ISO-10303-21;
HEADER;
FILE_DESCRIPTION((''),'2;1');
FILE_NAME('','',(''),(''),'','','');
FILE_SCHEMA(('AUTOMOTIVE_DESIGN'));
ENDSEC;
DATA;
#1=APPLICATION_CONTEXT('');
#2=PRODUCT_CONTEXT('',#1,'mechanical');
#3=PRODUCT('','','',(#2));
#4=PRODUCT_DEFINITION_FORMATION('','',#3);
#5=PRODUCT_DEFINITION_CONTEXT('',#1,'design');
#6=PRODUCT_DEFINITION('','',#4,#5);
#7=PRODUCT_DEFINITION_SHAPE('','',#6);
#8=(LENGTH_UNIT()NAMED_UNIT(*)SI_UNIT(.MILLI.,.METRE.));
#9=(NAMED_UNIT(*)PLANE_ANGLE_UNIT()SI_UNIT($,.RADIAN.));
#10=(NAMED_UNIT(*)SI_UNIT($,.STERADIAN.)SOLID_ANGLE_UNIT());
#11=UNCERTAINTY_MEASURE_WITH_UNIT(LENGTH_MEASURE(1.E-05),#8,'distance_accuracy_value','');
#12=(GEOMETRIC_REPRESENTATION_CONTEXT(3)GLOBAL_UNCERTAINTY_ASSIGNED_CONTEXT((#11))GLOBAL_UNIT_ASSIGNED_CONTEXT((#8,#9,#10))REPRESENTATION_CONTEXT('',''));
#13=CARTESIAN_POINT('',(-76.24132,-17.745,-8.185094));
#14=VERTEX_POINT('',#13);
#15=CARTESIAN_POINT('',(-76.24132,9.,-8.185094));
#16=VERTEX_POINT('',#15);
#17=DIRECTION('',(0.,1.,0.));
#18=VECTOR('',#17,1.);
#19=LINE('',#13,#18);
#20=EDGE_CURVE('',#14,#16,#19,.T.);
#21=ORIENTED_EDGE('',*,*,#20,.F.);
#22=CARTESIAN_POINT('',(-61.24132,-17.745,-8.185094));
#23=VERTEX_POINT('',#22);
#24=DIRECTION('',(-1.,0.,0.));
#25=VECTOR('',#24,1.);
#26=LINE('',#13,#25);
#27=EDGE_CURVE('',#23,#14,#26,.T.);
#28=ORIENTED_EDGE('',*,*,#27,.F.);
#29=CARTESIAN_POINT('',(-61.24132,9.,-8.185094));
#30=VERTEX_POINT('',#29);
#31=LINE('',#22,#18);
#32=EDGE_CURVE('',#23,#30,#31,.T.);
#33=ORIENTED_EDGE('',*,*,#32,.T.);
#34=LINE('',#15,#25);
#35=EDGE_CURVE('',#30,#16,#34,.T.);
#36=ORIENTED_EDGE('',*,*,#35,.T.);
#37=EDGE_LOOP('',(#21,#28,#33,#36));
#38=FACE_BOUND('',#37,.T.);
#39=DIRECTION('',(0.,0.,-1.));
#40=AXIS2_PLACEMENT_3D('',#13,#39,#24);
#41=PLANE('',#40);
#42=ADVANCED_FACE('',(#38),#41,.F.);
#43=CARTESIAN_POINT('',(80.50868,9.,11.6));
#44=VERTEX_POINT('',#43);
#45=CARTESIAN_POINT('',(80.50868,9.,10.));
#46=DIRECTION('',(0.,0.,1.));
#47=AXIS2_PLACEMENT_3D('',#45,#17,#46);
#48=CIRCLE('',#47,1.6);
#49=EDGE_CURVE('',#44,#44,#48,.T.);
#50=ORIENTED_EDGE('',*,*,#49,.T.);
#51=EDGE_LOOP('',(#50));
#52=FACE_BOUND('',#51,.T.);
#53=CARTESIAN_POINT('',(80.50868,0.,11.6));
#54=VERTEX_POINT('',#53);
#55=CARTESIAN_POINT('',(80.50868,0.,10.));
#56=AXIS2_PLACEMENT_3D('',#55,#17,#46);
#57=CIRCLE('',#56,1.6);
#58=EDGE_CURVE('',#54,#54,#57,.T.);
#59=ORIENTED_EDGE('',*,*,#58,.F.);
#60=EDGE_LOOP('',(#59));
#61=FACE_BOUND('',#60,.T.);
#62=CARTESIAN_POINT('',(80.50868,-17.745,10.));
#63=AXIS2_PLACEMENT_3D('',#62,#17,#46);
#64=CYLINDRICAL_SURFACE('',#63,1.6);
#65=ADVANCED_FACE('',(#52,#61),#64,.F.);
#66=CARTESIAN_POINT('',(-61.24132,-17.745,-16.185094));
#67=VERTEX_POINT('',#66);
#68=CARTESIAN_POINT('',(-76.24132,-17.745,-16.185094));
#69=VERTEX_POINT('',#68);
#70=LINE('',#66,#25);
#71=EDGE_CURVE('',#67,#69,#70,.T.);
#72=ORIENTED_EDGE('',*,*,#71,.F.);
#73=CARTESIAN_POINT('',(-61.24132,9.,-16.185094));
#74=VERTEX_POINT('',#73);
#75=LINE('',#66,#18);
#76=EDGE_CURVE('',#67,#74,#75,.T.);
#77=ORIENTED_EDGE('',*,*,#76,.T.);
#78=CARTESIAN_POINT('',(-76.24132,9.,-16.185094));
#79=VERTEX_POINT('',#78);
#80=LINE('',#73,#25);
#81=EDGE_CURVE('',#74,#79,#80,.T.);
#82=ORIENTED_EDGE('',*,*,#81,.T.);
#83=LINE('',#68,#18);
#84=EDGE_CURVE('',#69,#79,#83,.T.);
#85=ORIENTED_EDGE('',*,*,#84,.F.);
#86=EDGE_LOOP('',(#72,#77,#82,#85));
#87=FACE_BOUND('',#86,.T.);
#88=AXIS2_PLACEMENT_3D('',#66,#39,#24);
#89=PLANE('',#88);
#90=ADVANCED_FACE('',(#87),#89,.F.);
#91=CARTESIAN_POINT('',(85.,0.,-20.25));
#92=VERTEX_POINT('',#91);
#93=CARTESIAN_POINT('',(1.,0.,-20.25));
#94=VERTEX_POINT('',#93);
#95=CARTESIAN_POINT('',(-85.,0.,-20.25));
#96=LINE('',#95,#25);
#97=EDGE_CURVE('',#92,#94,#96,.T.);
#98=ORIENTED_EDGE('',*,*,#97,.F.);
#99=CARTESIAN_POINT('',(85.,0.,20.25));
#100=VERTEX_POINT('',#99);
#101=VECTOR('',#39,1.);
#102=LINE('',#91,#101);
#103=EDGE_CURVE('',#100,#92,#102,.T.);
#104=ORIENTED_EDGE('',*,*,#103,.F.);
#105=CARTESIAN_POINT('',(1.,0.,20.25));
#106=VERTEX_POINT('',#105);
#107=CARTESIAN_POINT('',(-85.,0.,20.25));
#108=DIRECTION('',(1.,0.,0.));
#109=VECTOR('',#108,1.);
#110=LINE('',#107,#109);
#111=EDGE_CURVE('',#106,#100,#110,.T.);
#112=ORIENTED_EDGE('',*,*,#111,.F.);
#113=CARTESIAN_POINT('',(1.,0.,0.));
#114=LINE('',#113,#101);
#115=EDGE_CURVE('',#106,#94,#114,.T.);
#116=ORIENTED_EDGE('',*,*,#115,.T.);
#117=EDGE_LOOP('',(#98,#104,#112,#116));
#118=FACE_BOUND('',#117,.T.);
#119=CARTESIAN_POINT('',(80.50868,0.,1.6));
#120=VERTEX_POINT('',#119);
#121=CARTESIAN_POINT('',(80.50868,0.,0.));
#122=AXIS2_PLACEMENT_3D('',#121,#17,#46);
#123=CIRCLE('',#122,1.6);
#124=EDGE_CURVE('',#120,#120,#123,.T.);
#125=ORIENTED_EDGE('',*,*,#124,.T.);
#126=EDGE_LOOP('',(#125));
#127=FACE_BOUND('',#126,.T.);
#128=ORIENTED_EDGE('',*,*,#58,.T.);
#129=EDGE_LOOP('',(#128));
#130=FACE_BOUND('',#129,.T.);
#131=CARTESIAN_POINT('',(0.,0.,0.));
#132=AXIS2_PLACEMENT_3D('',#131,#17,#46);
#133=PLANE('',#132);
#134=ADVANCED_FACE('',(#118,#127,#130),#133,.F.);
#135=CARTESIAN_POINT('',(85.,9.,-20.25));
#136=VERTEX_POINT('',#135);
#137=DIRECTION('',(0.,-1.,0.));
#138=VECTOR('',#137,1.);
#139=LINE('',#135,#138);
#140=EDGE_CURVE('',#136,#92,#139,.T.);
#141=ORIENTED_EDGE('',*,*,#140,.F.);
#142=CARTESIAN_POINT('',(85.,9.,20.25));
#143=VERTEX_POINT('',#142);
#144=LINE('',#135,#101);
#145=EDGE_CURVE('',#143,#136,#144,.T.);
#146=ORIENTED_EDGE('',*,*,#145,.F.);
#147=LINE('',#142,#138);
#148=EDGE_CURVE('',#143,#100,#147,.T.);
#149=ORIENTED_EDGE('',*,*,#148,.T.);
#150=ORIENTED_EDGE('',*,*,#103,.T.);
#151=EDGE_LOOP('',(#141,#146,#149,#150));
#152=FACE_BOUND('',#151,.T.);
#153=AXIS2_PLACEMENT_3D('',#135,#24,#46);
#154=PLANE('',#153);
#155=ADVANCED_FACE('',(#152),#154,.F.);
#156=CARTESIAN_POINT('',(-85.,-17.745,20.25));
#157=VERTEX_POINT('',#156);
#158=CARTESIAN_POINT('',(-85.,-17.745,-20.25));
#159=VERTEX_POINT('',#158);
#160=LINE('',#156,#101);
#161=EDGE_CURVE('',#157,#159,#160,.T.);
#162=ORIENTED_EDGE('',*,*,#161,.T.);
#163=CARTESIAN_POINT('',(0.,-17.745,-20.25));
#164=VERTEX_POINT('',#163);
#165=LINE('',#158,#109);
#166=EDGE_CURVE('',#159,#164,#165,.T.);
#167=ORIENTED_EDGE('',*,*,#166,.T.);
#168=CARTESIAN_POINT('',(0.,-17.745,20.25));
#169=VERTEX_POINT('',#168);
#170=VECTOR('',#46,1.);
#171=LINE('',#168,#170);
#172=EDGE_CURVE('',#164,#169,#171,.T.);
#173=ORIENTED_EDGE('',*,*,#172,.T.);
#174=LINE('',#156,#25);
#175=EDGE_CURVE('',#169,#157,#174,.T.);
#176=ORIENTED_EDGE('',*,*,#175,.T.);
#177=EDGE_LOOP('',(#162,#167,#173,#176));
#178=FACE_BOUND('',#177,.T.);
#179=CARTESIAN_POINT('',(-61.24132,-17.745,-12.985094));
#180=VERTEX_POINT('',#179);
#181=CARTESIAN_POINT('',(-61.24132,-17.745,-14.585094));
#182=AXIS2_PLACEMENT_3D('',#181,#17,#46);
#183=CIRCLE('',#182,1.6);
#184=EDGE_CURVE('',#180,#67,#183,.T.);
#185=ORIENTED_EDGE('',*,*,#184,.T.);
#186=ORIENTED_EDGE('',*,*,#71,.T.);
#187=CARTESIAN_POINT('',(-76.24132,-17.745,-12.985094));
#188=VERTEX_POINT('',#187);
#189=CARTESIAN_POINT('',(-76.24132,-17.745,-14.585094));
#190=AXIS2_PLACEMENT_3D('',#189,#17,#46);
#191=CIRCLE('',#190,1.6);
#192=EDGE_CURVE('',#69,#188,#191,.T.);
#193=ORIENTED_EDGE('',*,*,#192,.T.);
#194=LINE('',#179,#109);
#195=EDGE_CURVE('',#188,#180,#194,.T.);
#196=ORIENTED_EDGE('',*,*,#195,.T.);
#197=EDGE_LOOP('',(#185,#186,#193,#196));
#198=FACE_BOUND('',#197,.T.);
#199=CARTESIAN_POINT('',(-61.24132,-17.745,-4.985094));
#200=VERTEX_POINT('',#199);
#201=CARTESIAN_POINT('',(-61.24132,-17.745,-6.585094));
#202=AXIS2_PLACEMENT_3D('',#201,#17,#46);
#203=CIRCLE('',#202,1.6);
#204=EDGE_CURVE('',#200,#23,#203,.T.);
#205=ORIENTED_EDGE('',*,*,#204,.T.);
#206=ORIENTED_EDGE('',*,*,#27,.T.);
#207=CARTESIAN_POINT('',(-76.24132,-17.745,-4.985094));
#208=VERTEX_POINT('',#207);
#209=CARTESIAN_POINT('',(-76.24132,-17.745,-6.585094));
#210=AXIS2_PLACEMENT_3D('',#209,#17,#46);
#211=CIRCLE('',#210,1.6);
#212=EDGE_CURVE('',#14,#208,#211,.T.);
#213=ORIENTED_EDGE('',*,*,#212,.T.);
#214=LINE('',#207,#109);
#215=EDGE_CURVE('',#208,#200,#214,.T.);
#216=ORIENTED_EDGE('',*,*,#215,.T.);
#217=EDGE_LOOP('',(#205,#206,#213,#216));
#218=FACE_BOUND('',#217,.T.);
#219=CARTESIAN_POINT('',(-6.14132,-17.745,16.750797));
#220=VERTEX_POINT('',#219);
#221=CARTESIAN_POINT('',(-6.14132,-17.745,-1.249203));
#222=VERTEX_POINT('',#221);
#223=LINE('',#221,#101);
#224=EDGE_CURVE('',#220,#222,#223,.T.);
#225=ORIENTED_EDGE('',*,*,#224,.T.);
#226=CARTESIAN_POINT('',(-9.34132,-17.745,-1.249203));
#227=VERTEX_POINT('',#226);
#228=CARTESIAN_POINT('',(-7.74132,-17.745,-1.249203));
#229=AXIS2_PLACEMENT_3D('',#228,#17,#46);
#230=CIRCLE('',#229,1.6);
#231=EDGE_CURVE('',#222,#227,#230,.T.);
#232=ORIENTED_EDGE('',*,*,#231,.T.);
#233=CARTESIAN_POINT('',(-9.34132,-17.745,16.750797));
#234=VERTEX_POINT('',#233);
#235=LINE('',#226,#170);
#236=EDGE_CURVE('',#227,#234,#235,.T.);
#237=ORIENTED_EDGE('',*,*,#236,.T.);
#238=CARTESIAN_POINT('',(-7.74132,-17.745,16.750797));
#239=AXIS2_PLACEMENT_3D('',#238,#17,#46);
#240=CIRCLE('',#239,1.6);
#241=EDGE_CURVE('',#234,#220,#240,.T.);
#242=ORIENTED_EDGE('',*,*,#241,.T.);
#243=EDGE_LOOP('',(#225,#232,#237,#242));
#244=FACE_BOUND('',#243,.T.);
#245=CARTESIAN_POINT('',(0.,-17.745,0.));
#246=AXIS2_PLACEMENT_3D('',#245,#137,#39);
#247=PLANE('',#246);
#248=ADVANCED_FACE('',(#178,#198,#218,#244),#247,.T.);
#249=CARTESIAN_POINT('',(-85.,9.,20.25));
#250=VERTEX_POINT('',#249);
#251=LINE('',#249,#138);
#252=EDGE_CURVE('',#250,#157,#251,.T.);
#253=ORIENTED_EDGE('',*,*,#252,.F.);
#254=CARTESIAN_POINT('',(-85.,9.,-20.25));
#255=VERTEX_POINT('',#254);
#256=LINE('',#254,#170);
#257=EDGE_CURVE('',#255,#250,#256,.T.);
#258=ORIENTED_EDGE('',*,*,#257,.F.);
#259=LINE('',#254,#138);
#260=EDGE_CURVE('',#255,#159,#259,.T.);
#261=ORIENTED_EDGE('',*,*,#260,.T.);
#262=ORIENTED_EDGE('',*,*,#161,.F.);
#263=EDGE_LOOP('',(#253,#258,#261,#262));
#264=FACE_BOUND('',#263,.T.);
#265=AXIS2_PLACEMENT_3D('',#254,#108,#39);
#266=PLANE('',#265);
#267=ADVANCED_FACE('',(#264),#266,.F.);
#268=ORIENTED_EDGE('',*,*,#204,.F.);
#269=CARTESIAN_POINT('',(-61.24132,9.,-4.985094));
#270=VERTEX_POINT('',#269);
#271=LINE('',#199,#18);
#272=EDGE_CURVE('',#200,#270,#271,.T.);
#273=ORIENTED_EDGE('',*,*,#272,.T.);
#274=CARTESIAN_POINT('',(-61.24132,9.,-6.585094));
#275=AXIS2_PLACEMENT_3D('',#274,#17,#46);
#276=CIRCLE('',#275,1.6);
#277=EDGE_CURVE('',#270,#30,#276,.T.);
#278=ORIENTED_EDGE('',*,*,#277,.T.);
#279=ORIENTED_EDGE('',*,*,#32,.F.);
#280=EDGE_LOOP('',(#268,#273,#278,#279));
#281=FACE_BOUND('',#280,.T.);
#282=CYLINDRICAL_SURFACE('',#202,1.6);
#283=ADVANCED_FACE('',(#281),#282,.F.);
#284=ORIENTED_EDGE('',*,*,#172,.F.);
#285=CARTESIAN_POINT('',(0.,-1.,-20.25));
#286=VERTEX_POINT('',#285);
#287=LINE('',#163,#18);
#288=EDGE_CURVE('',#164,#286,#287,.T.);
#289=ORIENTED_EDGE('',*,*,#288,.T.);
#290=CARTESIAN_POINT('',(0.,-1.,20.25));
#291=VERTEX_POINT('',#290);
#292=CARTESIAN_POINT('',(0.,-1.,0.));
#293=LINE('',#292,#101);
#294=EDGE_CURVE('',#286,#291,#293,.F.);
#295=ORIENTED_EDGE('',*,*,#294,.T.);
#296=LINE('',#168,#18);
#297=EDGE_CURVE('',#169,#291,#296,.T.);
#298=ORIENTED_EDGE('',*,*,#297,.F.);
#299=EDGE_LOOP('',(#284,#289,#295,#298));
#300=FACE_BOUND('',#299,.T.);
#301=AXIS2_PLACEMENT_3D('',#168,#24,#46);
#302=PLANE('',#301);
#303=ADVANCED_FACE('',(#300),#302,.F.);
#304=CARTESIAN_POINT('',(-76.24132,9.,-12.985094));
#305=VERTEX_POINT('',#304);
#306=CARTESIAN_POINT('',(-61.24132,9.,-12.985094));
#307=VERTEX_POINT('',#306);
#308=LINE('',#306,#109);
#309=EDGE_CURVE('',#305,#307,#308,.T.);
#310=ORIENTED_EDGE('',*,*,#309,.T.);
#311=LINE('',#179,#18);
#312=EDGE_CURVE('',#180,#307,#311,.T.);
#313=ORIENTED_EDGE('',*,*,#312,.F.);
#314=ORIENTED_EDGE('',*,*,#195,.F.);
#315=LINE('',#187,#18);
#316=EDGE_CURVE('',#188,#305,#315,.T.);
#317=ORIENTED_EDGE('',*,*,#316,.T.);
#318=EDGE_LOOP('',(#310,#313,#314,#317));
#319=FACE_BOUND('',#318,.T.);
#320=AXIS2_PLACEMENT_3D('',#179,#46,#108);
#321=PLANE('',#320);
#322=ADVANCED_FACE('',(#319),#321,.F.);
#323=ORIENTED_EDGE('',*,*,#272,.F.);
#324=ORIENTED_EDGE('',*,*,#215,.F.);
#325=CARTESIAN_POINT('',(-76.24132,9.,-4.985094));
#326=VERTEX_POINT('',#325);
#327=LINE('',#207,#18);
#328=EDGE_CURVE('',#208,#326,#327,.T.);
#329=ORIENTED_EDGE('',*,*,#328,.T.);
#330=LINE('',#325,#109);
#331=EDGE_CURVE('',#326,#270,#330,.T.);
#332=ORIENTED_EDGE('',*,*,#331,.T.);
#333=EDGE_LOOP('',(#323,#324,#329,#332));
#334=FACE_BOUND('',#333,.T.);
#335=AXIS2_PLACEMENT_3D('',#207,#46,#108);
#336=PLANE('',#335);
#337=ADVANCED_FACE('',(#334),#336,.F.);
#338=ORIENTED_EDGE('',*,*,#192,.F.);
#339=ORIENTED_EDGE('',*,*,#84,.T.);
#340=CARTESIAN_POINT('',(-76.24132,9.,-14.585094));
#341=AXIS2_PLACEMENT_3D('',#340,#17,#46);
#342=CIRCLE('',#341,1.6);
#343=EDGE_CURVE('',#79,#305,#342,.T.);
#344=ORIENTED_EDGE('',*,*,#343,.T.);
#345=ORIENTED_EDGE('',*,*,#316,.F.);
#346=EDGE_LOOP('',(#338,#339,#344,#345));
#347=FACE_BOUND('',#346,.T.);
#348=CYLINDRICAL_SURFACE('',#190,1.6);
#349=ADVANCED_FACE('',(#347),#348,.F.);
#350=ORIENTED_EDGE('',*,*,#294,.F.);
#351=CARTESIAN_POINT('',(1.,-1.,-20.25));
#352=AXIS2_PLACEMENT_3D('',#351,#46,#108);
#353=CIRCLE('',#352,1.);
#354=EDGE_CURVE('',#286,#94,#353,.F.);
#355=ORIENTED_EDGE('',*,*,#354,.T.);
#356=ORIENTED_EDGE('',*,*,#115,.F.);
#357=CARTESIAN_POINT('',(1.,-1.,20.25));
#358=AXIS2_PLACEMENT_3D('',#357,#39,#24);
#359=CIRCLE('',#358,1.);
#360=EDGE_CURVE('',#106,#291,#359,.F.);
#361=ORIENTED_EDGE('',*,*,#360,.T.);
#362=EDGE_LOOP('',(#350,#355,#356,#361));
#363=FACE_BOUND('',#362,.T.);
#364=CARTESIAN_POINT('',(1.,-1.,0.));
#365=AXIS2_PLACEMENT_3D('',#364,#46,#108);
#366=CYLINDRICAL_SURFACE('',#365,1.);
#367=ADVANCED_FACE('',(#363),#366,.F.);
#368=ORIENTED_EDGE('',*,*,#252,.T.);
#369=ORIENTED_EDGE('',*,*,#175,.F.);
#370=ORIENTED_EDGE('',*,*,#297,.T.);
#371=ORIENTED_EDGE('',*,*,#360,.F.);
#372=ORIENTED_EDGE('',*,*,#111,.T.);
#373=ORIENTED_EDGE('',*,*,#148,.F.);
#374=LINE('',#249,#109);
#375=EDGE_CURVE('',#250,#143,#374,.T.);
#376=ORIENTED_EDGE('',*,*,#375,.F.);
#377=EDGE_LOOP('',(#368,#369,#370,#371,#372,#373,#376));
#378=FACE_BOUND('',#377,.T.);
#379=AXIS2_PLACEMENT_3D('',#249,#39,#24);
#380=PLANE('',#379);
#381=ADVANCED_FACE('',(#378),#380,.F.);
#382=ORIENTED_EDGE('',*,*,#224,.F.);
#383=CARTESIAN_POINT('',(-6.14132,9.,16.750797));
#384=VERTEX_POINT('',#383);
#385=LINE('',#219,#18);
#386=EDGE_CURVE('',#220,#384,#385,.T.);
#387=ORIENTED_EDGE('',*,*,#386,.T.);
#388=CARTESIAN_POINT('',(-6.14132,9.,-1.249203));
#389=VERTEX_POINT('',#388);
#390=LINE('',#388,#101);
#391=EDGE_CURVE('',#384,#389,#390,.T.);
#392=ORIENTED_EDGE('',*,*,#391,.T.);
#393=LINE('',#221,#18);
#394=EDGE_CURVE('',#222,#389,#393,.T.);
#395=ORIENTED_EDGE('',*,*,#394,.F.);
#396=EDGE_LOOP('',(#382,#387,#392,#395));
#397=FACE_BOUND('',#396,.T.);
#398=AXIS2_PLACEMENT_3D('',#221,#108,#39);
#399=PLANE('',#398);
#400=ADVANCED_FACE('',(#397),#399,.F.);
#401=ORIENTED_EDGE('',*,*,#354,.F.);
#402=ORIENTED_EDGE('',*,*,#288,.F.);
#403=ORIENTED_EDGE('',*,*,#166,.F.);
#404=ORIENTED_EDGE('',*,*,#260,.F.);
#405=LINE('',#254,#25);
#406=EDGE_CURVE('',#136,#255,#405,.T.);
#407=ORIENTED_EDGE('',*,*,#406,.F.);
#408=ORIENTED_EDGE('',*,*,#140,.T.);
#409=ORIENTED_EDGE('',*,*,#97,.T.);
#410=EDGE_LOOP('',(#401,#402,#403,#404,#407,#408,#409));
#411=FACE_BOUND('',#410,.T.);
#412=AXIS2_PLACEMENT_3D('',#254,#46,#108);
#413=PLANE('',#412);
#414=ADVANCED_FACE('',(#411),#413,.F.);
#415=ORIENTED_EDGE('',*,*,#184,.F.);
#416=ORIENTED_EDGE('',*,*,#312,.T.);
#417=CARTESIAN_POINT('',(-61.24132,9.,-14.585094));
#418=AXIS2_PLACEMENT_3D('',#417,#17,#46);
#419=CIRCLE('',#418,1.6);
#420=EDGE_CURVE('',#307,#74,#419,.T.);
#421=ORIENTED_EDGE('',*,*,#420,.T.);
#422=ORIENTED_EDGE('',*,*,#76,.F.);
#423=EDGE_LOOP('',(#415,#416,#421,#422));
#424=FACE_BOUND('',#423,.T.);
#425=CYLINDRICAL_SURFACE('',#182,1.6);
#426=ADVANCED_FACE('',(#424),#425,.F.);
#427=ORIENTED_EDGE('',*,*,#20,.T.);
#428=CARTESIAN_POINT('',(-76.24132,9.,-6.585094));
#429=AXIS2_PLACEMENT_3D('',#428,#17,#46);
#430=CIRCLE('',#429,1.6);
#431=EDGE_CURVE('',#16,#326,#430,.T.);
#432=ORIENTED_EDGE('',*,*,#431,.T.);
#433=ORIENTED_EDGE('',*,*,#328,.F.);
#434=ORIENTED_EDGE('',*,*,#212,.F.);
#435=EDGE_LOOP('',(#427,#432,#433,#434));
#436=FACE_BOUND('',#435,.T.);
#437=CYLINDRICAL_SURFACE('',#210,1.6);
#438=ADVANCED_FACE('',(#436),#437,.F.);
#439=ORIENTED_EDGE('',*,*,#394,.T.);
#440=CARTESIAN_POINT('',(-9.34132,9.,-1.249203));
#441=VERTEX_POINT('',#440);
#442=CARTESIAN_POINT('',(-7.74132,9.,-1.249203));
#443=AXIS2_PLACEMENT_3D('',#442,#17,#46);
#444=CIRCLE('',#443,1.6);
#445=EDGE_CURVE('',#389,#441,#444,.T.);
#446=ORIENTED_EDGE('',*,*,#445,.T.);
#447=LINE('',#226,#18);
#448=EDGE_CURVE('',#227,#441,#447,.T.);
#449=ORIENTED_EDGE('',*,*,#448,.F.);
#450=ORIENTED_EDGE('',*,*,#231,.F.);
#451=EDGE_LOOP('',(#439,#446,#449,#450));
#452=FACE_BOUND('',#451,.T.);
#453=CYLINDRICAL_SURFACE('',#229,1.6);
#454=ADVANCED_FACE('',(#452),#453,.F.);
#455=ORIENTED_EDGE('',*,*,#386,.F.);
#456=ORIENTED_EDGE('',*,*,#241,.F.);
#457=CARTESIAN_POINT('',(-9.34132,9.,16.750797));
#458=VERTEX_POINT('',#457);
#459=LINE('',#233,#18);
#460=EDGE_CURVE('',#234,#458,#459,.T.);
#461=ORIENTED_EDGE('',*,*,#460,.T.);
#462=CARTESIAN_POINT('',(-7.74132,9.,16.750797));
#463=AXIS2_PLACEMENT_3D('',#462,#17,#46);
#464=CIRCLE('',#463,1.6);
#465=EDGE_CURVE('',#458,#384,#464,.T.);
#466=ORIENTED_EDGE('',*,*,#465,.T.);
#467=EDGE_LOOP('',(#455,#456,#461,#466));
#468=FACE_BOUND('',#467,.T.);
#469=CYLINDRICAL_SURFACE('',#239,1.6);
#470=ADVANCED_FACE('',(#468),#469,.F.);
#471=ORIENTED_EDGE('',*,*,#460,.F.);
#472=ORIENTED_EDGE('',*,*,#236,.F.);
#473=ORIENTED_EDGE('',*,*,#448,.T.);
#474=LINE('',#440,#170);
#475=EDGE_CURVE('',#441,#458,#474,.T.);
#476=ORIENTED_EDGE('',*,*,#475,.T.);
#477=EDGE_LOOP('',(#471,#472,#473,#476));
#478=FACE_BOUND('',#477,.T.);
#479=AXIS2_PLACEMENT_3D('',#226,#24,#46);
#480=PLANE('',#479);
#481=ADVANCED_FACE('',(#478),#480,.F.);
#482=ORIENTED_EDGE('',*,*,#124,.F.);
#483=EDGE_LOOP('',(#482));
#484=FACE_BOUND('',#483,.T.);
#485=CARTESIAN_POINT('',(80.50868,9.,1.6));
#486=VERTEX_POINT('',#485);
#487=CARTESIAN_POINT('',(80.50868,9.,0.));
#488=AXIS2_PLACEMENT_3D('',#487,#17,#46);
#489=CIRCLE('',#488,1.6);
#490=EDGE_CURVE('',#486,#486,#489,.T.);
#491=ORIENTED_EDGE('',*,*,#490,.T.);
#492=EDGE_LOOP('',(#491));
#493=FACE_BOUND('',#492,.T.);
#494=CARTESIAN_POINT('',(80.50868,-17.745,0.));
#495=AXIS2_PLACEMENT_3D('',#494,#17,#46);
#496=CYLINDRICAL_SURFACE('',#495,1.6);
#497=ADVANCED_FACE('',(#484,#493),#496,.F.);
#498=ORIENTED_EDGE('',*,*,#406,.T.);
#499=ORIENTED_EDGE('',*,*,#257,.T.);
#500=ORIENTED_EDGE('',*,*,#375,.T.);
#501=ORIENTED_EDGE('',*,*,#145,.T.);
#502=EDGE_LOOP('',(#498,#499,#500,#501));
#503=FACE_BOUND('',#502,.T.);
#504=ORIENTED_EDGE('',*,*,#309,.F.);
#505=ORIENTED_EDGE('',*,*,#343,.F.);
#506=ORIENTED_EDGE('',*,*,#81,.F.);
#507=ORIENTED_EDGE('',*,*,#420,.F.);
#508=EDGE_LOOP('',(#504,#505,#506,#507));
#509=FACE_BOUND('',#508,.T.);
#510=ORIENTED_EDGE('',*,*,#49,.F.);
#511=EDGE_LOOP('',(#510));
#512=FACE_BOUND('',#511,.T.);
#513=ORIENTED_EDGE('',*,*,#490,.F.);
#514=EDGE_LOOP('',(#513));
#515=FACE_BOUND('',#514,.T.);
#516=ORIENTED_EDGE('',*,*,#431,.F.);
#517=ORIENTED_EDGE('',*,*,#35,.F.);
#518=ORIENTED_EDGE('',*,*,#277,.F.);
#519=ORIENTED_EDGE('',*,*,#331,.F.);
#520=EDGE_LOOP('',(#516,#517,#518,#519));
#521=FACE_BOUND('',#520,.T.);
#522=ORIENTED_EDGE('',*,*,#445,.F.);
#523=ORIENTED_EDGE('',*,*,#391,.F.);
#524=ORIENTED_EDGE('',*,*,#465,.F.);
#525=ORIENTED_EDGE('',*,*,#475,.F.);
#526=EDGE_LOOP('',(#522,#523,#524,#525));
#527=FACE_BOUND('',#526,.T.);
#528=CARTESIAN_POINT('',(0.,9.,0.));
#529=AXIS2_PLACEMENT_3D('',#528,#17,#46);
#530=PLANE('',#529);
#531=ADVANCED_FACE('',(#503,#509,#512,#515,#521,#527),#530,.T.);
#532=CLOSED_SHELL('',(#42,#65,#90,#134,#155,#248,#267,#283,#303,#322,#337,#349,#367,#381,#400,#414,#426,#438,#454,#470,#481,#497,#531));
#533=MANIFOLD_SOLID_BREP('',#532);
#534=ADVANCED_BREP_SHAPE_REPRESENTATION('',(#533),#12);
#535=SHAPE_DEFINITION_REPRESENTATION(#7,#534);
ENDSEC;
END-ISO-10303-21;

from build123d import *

# Parameters (mm, degrees)
SKETCH1_W           = 170
SKETCH1_H           = 40.5
BOSS_EXTRUDE1_DEPTH = 9
SKETCH2_W           = 85
SKETCH2_H           = 40.5
BOSS_EXTRUDE2_DEPTH = 17.745
SKETCH3_R           = 1.6
CUT_EXTRUDE1_DEPTH  = 92.380290681
FILLET1_R           = 1


with BuildPart() as part:
    # Sketch1 → Boss-Extrude1 (new body)
    with BuildSketch(Plane(origin=(0, 0, 0), x_dir=(1, 0, 0), z_dir=(0, 1, 0))):
        Rectangle(SKETCH1_W, SKETCH1_H)
    extrude(amount=BOSS_EXTRUDE1_DEPTH)

    # Sketch2 → Boss-Extrude2 (add)
    with BuildSketch(Plane.XZ):
        with Locations((-42.5, 0)):
            Rectangle(SKETCH2_W, SKETCH2_H)
    extrude(amount=BOSS_EXTRUDE2_DEPTH)

    # Sketch3 → Cut-Extrude1 (cut, through all)
    with BuildSketch(Plane(origin=(0, 9, 0), x_dir=(1, 0, 0), z_dir=(0, 1, 0))):
        with Locations(Location((80.508679868, 0, 0), (0, 0, 270))):
            Circle(SKETCH3_R)
        with Locations(Location((80.508679868, -10, 0), (0, 0, 270))):
            Circle(SKETCH3_R)
        with BuildLine():
            Line((-76.241320132, 8.185093605), (-61.241320132, 8.185093605))
            ThreePointArc((-61.241320132, 8.185093605), (-59.641320132, 6.585093605), (-61.241320132, 4.985093605))
            Line((-61.241320132, 4.985093605), (-76.241320132, 4.985093605))
            ThreePointArc((-76.241320132, 4.985093605), (-77.841320132, 6.585093605), (-76.241320132, 8.185093605))
        make_face()
        with BuildLine():
            Line((-61.241320132, 12.985093605), (-76.241320132, 12.985093605))
            ThreePointArc((-76.241320132, 12.985093605), (-77.841320132, 14.585093605), (-76.241320132, 16.185093605))
            Line((-76.241320132, 16.185093605), (-61.241320132, 16.185093605))
            ThreePointArc((-61.241320132, 16.185093605), (-59.641320132, 14.585093605), (-61.241320132, 12.985093605))
        make_face()
        with BuildLine():
            Line((-6.141320132, 1.249202664), (-6.141320132, -16.750797336))
            ThreePointArc((-6.141320132, -16.750797336), (-7.741320132, -18.350797336), (-9.341320132, -16.750797336))
            Line((-9.341320132, -16.750797336), (-9.341320132, 1.249202664))
            ThreePointArc((-9.341320132, 1.249202664), (-7.741320132, 2.849202664), (-6.141320132, 1.249202664))
        make_face()
    extrude(amount=-CUT_EXTRUDE1_DEPTH, mode=Mode.SUBTRACT)

    # Fillet1
    fillet1_edges = [part.edges().sort_by_distance(p)[0] for p in [
        (0, 0, 0),
    ]]
    fillet(fillet1_edges, radius=FILLET1_R)


solid = part.part
